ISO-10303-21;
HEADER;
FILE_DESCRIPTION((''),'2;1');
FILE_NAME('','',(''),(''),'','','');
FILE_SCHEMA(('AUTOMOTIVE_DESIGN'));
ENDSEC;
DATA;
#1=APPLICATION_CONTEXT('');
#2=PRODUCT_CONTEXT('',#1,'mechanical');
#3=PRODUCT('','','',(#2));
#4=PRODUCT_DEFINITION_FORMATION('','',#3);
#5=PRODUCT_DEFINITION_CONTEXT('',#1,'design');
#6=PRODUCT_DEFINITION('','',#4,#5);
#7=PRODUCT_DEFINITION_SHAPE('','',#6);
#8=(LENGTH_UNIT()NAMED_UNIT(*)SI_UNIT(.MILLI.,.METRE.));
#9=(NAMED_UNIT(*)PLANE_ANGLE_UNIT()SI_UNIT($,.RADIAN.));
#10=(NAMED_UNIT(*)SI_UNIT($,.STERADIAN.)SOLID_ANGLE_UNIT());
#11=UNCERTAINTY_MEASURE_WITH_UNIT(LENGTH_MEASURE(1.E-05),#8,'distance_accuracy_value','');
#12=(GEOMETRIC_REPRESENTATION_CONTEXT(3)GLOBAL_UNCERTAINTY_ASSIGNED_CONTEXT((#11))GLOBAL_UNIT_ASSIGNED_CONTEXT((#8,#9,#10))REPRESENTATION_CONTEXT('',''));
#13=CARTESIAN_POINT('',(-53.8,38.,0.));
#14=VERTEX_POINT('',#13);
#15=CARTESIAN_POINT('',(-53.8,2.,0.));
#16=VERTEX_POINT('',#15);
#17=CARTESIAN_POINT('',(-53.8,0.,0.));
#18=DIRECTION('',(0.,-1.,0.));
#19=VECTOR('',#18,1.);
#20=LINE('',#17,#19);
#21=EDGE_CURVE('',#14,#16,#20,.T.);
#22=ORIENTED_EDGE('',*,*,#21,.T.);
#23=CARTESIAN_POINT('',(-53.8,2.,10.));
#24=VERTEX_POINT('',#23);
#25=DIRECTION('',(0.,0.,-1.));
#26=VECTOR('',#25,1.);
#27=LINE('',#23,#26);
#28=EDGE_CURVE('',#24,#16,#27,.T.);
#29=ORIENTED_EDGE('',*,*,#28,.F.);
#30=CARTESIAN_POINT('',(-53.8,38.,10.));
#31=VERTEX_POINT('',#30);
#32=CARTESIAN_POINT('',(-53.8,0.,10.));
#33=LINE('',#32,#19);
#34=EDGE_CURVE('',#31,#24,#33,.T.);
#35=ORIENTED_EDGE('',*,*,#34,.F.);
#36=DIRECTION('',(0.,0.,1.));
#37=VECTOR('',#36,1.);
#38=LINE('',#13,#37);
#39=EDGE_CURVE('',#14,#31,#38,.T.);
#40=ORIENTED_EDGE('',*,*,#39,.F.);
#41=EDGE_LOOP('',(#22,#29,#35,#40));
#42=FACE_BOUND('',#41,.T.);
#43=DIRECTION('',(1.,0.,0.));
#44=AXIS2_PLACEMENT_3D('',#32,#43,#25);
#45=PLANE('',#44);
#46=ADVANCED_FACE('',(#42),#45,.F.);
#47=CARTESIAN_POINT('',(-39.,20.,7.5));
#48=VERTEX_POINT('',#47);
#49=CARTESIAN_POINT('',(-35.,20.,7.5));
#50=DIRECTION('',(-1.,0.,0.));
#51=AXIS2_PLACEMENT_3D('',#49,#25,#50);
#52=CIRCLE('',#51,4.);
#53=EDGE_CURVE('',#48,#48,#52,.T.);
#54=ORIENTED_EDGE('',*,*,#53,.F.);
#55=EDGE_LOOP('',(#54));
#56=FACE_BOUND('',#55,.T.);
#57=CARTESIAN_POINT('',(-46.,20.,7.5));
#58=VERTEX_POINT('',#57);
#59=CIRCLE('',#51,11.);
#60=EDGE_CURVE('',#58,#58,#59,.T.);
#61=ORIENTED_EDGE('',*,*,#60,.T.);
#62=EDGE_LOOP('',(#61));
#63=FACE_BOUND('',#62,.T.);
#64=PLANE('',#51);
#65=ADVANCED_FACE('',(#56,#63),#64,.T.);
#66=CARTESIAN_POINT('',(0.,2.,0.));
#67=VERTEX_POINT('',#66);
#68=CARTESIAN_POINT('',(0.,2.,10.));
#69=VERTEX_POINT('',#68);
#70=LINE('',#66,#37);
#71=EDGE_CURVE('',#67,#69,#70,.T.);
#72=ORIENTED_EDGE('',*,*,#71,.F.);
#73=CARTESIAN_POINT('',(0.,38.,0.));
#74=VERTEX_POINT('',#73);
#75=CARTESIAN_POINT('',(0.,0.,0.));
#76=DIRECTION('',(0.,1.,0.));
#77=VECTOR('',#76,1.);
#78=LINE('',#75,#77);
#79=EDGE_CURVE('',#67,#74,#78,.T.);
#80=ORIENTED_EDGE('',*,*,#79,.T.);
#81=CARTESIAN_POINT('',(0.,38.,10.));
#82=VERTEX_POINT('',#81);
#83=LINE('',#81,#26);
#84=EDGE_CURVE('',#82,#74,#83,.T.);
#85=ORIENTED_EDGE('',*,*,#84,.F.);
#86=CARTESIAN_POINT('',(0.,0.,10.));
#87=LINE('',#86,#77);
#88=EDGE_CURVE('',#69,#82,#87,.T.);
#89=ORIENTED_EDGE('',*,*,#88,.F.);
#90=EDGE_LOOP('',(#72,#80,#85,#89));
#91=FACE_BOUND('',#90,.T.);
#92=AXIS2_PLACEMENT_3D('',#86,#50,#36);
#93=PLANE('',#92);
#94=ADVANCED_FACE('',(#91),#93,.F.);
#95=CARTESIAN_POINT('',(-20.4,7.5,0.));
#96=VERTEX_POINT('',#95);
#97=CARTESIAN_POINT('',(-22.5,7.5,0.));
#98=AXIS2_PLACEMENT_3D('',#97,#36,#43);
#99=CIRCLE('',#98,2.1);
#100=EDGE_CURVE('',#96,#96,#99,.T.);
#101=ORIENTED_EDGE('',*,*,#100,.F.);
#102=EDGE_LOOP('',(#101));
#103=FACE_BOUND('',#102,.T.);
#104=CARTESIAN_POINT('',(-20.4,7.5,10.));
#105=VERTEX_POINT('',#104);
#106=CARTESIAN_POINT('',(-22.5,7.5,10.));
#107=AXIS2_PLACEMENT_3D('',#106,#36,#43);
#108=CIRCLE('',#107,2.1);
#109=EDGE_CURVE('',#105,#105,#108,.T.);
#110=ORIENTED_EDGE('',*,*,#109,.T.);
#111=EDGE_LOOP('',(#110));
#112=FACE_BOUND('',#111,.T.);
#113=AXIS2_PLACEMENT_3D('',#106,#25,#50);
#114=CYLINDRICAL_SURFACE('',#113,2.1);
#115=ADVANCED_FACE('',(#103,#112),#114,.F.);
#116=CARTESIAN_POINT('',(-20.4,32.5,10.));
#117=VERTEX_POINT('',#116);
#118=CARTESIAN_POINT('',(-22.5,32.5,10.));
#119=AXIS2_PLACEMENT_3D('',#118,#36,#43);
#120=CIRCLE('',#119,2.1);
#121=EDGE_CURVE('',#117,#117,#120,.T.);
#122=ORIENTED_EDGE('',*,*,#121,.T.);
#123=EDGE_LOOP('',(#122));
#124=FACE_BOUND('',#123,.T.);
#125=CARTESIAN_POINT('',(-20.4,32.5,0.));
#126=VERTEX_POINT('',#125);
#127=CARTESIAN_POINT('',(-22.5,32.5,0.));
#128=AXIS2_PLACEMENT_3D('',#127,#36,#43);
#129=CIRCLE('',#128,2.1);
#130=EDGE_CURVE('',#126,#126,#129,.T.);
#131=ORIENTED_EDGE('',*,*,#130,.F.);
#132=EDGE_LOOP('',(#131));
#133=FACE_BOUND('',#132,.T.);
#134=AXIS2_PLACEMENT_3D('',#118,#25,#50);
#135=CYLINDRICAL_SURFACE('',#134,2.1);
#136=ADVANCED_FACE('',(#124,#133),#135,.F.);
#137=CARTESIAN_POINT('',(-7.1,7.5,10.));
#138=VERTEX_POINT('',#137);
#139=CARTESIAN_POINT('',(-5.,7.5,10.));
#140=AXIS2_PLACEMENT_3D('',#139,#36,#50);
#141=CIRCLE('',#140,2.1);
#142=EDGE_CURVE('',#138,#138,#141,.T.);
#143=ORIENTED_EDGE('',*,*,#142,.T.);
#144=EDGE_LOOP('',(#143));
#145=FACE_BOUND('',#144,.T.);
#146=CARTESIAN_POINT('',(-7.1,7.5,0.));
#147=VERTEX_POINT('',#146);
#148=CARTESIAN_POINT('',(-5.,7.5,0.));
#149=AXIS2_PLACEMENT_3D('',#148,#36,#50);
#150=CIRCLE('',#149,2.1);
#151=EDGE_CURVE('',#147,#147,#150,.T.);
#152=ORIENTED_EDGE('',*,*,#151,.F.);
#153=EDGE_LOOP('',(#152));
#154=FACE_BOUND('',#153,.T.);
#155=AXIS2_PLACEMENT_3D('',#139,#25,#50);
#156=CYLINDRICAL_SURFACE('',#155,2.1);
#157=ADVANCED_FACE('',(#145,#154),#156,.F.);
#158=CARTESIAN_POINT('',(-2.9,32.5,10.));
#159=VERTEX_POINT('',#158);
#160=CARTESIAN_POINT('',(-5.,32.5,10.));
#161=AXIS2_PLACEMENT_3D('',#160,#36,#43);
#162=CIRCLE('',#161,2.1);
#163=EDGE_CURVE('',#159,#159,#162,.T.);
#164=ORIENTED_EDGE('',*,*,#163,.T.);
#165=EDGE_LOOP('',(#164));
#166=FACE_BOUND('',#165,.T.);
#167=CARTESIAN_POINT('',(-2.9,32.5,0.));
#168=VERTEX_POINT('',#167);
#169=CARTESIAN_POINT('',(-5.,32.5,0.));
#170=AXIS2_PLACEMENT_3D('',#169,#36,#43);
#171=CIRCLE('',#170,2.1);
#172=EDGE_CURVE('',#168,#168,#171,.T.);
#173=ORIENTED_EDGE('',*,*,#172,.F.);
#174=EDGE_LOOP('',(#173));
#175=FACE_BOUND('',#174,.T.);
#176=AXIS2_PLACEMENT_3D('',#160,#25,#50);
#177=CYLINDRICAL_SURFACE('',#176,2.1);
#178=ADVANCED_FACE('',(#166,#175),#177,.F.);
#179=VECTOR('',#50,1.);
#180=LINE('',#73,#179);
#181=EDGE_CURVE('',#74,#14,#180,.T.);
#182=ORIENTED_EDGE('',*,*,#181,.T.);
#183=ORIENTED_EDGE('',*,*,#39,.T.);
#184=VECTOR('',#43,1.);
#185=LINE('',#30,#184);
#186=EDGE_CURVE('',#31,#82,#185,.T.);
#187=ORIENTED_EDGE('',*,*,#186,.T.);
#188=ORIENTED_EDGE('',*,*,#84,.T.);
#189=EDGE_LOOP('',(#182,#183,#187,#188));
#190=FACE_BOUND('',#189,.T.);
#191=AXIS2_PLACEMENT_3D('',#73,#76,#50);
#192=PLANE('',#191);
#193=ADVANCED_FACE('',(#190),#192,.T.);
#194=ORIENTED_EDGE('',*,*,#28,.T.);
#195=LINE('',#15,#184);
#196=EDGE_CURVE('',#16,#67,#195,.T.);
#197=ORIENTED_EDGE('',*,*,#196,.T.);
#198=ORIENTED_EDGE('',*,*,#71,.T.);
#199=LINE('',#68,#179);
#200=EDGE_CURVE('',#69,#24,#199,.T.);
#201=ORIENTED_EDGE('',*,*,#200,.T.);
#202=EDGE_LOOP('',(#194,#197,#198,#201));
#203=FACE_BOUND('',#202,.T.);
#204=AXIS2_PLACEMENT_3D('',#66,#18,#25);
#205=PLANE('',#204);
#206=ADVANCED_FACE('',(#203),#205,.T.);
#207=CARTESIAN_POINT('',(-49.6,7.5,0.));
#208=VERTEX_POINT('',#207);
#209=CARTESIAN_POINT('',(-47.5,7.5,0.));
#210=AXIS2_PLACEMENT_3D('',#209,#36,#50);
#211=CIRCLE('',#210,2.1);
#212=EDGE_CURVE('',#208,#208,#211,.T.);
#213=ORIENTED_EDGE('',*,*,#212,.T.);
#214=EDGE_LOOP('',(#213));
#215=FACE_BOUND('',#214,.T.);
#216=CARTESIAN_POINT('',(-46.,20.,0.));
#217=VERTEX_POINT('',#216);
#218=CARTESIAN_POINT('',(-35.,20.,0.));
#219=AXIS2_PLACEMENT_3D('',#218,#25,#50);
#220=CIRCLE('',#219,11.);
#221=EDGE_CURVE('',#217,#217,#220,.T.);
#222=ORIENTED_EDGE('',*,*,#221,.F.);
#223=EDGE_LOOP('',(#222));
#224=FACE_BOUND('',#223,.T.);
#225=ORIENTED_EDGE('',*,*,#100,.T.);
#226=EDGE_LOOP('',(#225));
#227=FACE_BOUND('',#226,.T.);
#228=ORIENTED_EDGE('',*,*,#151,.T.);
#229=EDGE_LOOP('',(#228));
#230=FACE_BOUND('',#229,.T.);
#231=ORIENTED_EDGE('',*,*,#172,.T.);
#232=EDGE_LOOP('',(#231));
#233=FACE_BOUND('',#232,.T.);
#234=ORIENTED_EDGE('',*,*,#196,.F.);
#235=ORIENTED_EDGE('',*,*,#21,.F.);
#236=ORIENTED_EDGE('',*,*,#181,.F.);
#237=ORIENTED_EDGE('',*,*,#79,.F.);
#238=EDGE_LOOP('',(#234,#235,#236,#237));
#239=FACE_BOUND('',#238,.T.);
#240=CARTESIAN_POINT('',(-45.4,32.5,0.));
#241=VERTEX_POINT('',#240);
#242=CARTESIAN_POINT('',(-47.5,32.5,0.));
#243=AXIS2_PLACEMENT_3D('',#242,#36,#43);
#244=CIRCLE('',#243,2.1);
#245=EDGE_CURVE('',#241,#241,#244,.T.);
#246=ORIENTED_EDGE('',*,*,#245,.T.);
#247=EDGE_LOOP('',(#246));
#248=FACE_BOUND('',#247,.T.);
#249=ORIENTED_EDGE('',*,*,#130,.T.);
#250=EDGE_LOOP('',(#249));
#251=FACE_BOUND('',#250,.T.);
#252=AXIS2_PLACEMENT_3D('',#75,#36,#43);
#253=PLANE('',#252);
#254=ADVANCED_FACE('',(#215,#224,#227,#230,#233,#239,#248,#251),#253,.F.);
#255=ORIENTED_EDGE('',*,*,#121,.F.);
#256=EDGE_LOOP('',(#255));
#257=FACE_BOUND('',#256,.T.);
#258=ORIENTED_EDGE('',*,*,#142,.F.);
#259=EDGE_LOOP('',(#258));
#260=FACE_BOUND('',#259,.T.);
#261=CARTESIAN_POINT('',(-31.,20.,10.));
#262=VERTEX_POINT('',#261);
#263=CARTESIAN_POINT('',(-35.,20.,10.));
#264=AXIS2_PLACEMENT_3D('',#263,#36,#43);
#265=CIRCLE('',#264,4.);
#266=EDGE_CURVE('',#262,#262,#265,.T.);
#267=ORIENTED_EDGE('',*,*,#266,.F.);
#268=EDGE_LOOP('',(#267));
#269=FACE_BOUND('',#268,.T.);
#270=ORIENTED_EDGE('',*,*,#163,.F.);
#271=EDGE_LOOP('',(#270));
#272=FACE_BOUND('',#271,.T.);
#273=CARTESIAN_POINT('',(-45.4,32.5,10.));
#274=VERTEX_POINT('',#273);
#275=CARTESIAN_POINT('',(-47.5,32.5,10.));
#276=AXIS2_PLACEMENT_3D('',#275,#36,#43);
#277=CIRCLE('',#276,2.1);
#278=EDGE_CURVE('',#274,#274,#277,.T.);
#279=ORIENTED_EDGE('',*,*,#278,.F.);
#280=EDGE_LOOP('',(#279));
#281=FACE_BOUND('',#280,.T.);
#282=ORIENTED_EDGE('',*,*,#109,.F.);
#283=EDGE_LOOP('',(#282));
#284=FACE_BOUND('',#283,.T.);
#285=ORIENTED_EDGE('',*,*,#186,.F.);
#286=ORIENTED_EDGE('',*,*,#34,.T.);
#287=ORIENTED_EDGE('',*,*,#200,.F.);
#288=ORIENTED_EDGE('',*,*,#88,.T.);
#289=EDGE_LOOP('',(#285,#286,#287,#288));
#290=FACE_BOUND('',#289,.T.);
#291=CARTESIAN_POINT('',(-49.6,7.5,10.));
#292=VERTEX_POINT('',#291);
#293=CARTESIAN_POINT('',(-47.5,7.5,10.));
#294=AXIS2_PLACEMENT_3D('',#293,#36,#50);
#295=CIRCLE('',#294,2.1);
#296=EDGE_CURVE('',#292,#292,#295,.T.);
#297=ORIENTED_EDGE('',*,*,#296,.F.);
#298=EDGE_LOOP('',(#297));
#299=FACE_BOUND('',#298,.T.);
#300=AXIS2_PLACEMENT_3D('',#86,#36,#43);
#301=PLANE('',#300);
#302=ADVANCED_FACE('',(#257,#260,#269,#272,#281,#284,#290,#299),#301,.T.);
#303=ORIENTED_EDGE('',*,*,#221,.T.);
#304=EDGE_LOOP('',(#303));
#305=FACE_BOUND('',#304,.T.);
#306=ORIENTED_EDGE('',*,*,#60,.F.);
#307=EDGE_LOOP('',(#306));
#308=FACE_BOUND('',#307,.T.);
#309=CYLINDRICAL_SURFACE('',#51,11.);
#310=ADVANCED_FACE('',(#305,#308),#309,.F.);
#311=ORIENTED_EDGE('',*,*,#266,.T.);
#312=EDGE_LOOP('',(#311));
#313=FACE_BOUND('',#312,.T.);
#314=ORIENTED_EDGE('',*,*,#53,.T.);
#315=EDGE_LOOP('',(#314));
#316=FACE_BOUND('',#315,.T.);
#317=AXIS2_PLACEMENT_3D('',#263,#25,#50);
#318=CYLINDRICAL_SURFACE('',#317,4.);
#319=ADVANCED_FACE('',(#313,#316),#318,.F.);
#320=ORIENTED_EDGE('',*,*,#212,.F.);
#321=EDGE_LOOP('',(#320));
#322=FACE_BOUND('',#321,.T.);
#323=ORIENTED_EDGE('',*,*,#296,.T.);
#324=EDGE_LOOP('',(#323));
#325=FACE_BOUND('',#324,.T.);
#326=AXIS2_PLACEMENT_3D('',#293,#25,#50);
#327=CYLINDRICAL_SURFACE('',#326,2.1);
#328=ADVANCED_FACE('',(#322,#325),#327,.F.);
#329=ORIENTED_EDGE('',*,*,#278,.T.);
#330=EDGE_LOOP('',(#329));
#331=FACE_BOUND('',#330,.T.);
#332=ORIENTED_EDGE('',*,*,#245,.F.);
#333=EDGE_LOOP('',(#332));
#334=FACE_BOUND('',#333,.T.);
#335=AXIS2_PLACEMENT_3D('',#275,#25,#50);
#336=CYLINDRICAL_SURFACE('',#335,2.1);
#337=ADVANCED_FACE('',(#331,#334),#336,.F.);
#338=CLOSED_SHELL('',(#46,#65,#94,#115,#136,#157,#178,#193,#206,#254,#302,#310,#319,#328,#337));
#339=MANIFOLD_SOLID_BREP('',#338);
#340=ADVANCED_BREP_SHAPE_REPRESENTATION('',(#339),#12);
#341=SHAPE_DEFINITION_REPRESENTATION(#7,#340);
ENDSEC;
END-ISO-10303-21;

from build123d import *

# Parameters (mm, degrees)
SKETCH1_W           = 53.8
SKETCH1_H           = 40
SKETCH1_R           = 2.1
SKETCH1_R_2         = 4
BOSS_EXTRUDE1_DEPTH = 10
SKETCH2_R           = 11
CUT_EXTRUDE1_DEPTH  = 7.5
SKETCH3_W           = 53.8
SKETCH3_H           = 10
CUT_EXTRUDE2_DEPTH  = 2
SKETCH4_W           = 53.8
SKETCH4_H           = 10
CUT_EXTRUDE3_DEPTH  = 2


with BuildPart() as part:
    # Sketch1 → Boss-Extrude1 (new body)
    with BuildSketch(Plane.XY):
        with Locations((-26.9, 20)):
            Rectangle(SKETCH1_W, SKETCH1_H)
        with Locations((-22.5, 32.5)):
            Circle(SKETCH1_R, mode=Mode.SUBTRACT)
        with Locations((-47.5, 7.5)):
            Circle(SKETCH1_R, mode=Mode.SUBTRACT)
        with Locations((-47.5, 32.5)):
            Circle(SKETCH1_R, mode=Mode.SUBTRACT)
        with Locations((-22.5, 7.5)):
            Circle(SKETCH1_R, mode=Mode.SUBTRACT)
        with Locations((-5, 32.5)):
            Circle(SKETCH1_R, mode=Mode.SUBTRACT)
        with Locations((-5, 7.5)):
            Circle(SKETCH1_R, mode=Mode.SUBTRACT)
        with Locations((-35, 20)):
            Circle(SKETCH1_R_2, mode=Mode.SUBTRACT)
    extrude(amount=BOSS_EXTRUDE1_DEPTH)

    # Sketch2 → Cut-Extrude1 (cut)
    with BuildSketch(Plane(origin=(0, 0, 0), x_dir=(-1, 0, 0), z_dir=(0, 0, -1))):
        with Locations((35, 20)):
            Circle(SKETCH2_R)
    extrude(amount=-CUT_EXTRUDE1_DEPTH, mode=Mode.SUBTRACT)

    # Sketch3 → Cut-Extrude2 (cut)
    with BuildSketch(Plane.XZ):
        with Locations((-26.9, 5)):
            Rectangle(SKETCH3_W, SKETCH3_H)
    extrude(amount=-CUT_EXTRUDE2_DEPTH, mode=Mode.SUBTRACT)

    # Sketch4 → Cut-Extrude3 (cut)
    with BuildSketch(Plane(origin=(0, 40, 0), x_dir=(1, 0, 0), z_dir=(0, 1, 0))):
        with Locations((-26.9, -5)):
            Rectangle(SKETCH4_W, SKETCH4_H)
    extrude(amount=-CUT_EXTRUDE3_DEPTH, mode=Mode.SUBTRACT)


solid = part.part
